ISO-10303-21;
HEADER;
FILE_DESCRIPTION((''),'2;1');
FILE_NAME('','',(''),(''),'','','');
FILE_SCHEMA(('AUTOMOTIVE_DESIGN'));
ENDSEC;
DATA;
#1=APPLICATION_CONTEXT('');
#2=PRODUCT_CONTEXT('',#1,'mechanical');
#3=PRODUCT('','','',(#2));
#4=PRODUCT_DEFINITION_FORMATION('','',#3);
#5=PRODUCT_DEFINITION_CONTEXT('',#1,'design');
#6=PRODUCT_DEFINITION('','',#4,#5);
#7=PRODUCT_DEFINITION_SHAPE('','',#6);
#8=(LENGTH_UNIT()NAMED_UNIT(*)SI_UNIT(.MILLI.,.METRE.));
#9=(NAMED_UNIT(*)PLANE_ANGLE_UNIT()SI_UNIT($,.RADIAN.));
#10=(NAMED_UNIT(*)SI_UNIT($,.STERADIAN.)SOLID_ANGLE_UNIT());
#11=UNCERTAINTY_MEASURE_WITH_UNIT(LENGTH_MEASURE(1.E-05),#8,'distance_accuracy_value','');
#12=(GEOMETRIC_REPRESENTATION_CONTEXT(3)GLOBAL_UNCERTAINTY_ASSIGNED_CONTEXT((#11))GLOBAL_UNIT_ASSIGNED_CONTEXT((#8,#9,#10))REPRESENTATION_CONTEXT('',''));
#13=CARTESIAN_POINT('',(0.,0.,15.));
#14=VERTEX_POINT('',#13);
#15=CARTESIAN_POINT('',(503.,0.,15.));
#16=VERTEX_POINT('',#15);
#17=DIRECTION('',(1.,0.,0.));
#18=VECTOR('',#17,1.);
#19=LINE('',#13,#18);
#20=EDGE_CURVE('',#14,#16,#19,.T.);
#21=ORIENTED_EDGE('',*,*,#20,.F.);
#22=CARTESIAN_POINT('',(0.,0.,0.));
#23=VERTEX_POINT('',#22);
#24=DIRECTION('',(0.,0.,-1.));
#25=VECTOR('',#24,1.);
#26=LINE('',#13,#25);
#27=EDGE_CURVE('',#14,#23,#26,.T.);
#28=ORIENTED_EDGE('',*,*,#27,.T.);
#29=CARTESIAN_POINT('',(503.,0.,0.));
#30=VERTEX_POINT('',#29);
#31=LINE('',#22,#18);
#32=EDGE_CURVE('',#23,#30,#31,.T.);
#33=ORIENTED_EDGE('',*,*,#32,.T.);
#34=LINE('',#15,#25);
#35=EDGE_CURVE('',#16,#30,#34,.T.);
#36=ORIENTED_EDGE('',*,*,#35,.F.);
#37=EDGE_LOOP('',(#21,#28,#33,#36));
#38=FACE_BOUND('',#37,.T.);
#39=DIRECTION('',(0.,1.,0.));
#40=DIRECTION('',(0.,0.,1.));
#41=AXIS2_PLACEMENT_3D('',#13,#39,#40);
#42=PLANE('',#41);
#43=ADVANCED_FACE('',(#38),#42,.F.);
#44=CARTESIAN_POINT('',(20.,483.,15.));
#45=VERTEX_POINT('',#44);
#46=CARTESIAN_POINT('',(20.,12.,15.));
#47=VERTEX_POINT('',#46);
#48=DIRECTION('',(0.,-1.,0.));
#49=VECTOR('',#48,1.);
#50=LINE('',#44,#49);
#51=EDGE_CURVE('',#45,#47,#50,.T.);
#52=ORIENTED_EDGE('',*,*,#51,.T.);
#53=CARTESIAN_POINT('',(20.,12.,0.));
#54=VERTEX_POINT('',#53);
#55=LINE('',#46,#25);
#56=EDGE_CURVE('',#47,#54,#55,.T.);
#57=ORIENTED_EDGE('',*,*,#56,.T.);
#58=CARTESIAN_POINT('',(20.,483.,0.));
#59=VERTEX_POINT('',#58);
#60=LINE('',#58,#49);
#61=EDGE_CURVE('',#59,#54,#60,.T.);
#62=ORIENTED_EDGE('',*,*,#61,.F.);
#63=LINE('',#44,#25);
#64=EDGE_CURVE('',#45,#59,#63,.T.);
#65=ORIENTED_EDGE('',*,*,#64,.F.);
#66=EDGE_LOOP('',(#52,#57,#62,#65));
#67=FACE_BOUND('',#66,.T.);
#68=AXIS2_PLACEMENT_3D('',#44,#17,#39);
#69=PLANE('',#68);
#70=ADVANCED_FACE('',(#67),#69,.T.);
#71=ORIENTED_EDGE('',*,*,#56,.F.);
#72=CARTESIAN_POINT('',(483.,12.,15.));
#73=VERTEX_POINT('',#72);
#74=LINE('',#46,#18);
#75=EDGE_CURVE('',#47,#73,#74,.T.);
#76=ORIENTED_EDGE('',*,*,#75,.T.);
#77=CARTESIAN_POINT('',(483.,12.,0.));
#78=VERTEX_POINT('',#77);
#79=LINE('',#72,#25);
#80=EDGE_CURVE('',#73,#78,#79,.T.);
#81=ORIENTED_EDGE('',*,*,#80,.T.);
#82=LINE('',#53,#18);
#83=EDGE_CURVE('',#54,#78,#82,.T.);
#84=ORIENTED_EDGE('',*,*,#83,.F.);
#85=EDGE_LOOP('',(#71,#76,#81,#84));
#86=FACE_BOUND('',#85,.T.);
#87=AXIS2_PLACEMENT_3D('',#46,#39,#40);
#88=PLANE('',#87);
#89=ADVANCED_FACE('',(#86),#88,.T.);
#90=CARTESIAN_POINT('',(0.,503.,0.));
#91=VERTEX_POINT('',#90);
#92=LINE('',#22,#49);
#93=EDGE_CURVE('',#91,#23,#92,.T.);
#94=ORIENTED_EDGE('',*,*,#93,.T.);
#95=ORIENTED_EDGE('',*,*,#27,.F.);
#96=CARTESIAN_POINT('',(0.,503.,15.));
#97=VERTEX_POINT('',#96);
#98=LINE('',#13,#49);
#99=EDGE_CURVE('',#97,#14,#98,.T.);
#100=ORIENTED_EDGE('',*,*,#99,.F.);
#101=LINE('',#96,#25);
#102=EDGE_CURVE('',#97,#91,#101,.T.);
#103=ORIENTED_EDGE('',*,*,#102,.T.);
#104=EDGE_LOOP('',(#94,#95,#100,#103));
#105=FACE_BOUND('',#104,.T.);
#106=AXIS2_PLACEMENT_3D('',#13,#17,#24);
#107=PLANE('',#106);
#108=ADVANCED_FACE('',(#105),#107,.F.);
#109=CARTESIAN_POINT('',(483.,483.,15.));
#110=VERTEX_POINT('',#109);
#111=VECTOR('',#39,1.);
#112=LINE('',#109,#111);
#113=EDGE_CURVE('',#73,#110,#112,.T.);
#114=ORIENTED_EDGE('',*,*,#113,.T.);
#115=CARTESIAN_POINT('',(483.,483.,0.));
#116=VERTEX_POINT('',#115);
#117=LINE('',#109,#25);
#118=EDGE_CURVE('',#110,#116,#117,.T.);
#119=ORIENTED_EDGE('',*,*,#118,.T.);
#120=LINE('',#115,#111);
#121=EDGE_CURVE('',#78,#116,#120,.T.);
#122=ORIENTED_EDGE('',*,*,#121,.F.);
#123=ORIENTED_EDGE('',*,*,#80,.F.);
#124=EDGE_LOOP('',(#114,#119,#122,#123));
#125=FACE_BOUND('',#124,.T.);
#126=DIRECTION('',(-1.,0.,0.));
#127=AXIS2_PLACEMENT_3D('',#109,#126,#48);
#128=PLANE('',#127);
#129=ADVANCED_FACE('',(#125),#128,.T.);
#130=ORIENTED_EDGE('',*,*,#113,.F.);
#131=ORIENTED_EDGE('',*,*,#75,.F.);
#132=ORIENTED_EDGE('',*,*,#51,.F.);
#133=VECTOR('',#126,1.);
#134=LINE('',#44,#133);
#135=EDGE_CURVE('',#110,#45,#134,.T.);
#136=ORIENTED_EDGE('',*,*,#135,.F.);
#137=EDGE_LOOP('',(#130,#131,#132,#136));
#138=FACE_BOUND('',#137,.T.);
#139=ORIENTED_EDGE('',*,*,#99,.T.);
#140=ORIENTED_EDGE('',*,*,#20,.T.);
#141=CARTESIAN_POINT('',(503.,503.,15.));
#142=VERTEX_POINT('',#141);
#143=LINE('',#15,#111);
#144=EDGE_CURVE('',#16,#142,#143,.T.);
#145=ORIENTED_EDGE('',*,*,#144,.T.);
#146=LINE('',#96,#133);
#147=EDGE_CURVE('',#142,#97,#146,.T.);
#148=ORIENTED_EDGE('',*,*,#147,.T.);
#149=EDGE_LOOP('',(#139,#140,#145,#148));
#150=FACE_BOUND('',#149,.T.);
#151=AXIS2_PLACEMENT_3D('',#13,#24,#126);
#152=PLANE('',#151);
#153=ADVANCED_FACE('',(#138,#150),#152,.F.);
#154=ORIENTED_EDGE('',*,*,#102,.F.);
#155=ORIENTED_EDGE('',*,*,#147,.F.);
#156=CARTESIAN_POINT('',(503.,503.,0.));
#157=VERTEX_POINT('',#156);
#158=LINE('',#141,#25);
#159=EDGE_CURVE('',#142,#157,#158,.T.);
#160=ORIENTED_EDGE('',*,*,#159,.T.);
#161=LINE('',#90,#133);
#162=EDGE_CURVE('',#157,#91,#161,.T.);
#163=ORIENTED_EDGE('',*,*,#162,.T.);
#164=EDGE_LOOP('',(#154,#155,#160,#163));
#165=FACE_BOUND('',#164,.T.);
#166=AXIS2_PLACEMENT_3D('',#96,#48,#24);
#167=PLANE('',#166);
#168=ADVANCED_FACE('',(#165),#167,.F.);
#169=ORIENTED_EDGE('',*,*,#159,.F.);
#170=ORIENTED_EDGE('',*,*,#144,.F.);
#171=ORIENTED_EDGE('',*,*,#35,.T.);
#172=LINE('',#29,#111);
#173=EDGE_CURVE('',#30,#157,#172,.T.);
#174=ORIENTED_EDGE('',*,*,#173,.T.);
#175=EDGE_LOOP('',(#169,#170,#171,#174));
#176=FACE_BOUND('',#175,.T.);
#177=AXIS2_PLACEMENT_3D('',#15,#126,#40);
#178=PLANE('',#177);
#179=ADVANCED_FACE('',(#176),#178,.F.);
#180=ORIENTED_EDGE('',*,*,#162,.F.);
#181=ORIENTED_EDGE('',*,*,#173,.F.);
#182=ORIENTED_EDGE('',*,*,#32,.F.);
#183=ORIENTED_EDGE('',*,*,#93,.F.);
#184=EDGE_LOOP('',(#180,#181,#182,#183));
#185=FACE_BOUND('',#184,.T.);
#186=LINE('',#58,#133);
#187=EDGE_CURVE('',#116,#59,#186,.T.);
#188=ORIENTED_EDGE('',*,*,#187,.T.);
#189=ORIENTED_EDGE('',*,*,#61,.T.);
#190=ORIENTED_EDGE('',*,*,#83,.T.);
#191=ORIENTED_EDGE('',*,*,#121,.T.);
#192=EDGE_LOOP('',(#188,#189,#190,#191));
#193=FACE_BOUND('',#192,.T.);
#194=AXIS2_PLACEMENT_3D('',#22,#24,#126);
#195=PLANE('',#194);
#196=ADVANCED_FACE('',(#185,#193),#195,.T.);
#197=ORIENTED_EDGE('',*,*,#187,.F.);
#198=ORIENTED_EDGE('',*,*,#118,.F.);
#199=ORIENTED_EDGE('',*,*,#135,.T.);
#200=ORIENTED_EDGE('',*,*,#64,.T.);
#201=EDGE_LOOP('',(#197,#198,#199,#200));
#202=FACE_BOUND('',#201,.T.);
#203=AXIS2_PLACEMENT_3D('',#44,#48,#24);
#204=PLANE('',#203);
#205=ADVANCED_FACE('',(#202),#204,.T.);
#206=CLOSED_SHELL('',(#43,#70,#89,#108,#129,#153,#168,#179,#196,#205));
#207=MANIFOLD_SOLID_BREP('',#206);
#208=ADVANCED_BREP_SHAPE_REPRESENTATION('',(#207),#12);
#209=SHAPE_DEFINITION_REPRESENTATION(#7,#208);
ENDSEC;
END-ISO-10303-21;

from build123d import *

# Parameters (mm, degrees)
SKETCH1_W           = 503
SKETCH1_H           = 503
SKETCH1_W_2         = 463
SKETCH1_H_2         = 471
BOSS_EXTRUDE1_DEPTH = 15


with BuildPart() as part:
    # Sketch1 → Boss-Extrude1 (new body)
    with BuildSketch(Plane.XY):
        with Locations((251.5, 251.5)):
            Rectangle(SKETCH1_W, SKETCH1_H)
        with Locations((251.5, 247.5)):
            Rectangle(SKETCH1_W_2, SKETCH1_H_2, mode=Mode.SUBTRACT)
    extrude(amount=BOSS_EXTRUDE1_DEPTH)


solid = part.part
